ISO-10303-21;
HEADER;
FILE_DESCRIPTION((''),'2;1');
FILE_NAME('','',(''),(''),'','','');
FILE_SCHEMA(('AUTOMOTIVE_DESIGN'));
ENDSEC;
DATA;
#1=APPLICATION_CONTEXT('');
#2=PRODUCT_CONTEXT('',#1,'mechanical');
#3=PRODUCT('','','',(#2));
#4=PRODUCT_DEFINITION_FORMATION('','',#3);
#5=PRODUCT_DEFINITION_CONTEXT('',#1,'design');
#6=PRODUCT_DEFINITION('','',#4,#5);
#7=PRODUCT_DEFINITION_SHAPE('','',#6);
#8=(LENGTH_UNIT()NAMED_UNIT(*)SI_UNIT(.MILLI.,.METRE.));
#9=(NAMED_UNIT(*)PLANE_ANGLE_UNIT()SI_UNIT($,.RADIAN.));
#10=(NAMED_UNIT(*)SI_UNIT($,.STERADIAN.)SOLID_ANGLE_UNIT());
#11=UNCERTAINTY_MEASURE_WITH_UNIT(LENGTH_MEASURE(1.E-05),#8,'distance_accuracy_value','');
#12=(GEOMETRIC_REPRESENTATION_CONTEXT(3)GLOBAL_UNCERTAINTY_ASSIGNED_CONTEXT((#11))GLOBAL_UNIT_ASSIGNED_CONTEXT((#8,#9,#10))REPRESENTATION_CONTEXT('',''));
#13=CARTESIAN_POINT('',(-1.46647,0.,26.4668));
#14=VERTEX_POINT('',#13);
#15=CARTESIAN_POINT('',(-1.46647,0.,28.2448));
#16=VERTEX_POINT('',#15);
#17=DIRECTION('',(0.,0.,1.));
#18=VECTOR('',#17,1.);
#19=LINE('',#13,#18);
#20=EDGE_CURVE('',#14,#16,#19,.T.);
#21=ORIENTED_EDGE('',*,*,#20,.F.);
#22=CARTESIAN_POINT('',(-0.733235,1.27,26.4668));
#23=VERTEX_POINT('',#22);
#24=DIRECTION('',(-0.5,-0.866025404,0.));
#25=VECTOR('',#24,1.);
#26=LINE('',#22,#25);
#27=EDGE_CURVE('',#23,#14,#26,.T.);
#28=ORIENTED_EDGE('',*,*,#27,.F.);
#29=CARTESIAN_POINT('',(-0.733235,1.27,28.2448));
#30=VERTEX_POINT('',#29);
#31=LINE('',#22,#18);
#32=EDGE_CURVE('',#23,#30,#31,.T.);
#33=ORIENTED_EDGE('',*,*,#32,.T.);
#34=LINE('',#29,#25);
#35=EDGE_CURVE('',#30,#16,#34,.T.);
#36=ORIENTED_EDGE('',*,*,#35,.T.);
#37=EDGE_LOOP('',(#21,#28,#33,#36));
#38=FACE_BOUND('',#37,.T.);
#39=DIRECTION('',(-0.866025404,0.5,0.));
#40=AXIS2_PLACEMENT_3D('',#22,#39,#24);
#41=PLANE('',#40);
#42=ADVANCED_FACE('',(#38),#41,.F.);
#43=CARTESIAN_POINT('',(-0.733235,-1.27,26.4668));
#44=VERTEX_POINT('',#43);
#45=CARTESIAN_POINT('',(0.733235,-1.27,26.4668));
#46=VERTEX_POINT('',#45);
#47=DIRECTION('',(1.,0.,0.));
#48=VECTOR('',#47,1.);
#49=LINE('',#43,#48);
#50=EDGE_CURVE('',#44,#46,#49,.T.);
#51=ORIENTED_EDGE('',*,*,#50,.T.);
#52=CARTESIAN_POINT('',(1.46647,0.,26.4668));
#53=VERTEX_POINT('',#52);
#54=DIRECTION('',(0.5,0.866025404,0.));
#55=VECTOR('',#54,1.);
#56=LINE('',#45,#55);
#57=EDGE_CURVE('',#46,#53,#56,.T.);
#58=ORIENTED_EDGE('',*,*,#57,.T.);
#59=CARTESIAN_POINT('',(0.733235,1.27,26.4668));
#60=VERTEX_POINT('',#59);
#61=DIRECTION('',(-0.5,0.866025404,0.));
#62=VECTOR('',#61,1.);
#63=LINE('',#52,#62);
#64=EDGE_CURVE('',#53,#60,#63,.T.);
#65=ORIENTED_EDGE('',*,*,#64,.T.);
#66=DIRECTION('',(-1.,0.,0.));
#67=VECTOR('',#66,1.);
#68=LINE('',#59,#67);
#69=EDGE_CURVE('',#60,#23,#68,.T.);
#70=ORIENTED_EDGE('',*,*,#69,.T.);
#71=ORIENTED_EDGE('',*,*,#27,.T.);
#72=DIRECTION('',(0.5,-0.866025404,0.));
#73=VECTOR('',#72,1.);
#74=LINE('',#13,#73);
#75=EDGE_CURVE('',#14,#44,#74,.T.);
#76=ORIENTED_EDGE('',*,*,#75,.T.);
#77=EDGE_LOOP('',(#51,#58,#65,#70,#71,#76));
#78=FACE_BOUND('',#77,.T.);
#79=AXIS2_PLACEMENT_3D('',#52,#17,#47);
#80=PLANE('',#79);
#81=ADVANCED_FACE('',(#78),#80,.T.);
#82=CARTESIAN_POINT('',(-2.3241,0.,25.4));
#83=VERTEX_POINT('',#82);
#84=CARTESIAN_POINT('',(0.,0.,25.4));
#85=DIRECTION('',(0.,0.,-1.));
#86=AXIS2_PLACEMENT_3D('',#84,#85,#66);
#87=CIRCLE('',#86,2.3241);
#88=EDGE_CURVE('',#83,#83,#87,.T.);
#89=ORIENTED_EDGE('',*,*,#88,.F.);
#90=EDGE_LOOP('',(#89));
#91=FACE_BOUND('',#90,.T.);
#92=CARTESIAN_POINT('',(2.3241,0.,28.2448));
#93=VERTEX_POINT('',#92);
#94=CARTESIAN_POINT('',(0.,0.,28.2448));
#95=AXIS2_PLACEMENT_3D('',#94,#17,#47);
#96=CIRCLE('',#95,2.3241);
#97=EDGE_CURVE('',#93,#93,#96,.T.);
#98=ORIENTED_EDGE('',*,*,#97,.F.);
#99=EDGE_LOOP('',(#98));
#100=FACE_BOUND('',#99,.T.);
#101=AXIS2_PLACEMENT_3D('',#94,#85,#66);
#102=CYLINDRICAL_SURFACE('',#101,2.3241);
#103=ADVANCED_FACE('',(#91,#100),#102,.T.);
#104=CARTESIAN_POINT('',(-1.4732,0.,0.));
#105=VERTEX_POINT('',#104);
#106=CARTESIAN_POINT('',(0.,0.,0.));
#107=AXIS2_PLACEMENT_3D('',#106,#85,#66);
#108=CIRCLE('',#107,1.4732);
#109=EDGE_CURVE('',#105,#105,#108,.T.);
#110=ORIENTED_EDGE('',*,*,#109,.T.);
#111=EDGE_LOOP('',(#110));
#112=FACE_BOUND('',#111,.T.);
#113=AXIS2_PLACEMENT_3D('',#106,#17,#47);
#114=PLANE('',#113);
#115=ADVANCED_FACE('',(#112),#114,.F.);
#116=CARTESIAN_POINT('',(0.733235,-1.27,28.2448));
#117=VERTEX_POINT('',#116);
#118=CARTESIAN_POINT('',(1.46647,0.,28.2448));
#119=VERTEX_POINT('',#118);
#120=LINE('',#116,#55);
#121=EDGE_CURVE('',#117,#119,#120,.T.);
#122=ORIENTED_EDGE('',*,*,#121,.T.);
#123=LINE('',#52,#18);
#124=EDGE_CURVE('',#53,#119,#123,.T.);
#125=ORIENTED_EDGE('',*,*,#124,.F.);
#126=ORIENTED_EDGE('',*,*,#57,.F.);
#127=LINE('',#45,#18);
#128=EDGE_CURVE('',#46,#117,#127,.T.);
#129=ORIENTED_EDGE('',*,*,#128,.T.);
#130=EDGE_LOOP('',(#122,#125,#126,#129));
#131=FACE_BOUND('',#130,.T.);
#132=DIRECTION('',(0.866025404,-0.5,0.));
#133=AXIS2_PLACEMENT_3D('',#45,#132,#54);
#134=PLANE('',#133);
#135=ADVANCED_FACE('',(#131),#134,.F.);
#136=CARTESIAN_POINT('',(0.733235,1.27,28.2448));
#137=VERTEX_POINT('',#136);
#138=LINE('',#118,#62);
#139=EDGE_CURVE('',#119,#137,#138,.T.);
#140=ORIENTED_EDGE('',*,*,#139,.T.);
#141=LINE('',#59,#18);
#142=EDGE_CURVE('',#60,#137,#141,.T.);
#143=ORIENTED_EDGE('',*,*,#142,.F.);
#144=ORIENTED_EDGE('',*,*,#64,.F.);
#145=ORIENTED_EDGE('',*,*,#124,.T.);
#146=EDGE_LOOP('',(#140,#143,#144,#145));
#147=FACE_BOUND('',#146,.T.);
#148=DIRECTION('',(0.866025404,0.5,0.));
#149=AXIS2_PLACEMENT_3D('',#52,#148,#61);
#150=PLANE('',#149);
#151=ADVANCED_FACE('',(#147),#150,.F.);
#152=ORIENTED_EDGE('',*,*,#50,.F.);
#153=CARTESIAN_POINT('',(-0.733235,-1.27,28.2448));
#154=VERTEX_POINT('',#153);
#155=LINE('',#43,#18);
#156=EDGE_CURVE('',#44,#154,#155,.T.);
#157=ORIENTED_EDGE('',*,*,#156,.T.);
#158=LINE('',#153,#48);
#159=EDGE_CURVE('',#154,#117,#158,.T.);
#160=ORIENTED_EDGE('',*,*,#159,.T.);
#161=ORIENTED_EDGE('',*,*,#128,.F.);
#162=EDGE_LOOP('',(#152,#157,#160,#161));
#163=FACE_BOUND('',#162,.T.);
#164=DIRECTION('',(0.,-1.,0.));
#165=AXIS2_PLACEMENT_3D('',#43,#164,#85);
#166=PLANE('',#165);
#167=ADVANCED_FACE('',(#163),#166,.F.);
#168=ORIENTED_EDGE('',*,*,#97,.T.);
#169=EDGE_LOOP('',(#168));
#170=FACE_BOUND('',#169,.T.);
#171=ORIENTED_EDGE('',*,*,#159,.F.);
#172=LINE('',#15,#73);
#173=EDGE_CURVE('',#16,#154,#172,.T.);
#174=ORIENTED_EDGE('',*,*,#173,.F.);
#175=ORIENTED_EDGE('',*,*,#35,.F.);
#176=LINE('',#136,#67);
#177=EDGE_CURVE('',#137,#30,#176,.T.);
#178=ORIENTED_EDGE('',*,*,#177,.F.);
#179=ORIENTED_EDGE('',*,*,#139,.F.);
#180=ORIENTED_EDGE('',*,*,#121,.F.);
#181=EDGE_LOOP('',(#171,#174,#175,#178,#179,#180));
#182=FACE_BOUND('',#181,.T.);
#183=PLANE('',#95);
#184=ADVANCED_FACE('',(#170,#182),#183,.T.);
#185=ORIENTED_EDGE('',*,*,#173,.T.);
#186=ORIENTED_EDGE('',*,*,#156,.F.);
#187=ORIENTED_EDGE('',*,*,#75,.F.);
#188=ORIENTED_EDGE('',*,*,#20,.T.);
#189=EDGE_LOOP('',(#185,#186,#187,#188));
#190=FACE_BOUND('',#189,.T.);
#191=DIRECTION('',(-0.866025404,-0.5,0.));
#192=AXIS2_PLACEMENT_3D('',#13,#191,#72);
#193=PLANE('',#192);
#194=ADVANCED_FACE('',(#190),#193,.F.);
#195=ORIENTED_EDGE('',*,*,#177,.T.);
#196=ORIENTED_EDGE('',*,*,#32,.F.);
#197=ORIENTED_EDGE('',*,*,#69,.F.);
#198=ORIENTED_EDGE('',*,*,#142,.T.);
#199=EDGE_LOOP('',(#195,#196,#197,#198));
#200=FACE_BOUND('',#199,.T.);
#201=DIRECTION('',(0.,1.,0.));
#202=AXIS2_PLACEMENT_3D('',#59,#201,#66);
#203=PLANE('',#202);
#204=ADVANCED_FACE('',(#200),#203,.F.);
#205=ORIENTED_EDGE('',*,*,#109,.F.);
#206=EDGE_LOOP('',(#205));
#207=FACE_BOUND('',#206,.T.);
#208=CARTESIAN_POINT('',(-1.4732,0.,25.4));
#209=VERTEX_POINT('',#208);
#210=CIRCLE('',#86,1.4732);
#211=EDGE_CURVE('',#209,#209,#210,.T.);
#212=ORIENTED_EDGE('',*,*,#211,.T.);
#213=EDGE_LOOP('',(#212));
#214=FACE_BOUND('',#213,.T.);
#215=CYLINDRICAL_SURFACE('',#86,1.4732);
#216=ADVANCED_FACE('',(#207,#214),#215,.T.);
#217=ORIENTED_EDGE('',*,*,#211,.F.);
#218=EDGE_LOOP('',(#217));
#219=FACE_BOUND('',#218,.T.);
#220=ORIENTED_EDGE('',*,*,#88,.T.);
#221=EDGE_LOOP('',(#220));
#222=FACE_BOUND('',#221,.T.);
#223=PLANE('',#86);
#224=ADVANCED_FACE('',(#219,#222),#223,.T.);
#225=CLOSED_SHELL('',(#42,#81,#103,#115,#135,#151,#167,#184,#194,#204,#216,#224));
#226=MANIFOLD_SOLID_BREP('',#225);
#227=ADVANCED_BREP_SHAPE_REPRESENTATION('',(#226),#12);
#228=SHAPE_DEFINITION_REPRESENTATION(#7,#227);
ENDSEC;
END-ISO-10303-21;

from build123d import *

# Parameters (mm, degrees)
SKETCH1_R         = 2.3241
EXTRUDE1_DEPTH    = 28.2448
SKETCH3_OUTSIDE_W = 12.448
SKETCH3_OUTSIDE_H = 12.448
SKETCH3_OUTSIDE_R = 1.4732
EXTRUDE2_DEPTH    = 25.4
EXTRUDE3_DEPTH    = 1.778


with BuildPart() as part:
    # Sketch1 → Extrude1 (new body)
    with BuildSketch(Plane.XY):
        Circle(SKETCH1_R)
    extrude(amount=EXTRUDE1_DEPTH)

    # Sketch3 outside → Extrude2 (cut)
    with BuildSketch(Plane(origin=(0, 0, 0), x_dir=(-1, 0, 0), z_dir=(0, 0, -1))):
        Rectangle(SKETCH3_OUTSIDE_W, SKETCH3_OUTSIDE_H)
        Circle(SKETCH3_OUTSIDE_R, mode=Mode.SUBTRACT)
    extrude(amount=-EXTRUDE2_DEPTH, mode=Mode.SUBTRACT)

    # Sketch4 → Extrude3 (cut)
    with BuildSketch(Plane.XY.offset(28.2448)):
        Polygon((1.466469684, 0), (0.733234842, 1.27), (-0.733234842, 1.27), (-1.466469684, 0), (-0.733234842, -1.27), (0.733234842, -1.27), align=None)
    extrude(amount=-EXTRUDE3_DEPTH, mode=Mode.SUBTRACT)


solid = part.part
